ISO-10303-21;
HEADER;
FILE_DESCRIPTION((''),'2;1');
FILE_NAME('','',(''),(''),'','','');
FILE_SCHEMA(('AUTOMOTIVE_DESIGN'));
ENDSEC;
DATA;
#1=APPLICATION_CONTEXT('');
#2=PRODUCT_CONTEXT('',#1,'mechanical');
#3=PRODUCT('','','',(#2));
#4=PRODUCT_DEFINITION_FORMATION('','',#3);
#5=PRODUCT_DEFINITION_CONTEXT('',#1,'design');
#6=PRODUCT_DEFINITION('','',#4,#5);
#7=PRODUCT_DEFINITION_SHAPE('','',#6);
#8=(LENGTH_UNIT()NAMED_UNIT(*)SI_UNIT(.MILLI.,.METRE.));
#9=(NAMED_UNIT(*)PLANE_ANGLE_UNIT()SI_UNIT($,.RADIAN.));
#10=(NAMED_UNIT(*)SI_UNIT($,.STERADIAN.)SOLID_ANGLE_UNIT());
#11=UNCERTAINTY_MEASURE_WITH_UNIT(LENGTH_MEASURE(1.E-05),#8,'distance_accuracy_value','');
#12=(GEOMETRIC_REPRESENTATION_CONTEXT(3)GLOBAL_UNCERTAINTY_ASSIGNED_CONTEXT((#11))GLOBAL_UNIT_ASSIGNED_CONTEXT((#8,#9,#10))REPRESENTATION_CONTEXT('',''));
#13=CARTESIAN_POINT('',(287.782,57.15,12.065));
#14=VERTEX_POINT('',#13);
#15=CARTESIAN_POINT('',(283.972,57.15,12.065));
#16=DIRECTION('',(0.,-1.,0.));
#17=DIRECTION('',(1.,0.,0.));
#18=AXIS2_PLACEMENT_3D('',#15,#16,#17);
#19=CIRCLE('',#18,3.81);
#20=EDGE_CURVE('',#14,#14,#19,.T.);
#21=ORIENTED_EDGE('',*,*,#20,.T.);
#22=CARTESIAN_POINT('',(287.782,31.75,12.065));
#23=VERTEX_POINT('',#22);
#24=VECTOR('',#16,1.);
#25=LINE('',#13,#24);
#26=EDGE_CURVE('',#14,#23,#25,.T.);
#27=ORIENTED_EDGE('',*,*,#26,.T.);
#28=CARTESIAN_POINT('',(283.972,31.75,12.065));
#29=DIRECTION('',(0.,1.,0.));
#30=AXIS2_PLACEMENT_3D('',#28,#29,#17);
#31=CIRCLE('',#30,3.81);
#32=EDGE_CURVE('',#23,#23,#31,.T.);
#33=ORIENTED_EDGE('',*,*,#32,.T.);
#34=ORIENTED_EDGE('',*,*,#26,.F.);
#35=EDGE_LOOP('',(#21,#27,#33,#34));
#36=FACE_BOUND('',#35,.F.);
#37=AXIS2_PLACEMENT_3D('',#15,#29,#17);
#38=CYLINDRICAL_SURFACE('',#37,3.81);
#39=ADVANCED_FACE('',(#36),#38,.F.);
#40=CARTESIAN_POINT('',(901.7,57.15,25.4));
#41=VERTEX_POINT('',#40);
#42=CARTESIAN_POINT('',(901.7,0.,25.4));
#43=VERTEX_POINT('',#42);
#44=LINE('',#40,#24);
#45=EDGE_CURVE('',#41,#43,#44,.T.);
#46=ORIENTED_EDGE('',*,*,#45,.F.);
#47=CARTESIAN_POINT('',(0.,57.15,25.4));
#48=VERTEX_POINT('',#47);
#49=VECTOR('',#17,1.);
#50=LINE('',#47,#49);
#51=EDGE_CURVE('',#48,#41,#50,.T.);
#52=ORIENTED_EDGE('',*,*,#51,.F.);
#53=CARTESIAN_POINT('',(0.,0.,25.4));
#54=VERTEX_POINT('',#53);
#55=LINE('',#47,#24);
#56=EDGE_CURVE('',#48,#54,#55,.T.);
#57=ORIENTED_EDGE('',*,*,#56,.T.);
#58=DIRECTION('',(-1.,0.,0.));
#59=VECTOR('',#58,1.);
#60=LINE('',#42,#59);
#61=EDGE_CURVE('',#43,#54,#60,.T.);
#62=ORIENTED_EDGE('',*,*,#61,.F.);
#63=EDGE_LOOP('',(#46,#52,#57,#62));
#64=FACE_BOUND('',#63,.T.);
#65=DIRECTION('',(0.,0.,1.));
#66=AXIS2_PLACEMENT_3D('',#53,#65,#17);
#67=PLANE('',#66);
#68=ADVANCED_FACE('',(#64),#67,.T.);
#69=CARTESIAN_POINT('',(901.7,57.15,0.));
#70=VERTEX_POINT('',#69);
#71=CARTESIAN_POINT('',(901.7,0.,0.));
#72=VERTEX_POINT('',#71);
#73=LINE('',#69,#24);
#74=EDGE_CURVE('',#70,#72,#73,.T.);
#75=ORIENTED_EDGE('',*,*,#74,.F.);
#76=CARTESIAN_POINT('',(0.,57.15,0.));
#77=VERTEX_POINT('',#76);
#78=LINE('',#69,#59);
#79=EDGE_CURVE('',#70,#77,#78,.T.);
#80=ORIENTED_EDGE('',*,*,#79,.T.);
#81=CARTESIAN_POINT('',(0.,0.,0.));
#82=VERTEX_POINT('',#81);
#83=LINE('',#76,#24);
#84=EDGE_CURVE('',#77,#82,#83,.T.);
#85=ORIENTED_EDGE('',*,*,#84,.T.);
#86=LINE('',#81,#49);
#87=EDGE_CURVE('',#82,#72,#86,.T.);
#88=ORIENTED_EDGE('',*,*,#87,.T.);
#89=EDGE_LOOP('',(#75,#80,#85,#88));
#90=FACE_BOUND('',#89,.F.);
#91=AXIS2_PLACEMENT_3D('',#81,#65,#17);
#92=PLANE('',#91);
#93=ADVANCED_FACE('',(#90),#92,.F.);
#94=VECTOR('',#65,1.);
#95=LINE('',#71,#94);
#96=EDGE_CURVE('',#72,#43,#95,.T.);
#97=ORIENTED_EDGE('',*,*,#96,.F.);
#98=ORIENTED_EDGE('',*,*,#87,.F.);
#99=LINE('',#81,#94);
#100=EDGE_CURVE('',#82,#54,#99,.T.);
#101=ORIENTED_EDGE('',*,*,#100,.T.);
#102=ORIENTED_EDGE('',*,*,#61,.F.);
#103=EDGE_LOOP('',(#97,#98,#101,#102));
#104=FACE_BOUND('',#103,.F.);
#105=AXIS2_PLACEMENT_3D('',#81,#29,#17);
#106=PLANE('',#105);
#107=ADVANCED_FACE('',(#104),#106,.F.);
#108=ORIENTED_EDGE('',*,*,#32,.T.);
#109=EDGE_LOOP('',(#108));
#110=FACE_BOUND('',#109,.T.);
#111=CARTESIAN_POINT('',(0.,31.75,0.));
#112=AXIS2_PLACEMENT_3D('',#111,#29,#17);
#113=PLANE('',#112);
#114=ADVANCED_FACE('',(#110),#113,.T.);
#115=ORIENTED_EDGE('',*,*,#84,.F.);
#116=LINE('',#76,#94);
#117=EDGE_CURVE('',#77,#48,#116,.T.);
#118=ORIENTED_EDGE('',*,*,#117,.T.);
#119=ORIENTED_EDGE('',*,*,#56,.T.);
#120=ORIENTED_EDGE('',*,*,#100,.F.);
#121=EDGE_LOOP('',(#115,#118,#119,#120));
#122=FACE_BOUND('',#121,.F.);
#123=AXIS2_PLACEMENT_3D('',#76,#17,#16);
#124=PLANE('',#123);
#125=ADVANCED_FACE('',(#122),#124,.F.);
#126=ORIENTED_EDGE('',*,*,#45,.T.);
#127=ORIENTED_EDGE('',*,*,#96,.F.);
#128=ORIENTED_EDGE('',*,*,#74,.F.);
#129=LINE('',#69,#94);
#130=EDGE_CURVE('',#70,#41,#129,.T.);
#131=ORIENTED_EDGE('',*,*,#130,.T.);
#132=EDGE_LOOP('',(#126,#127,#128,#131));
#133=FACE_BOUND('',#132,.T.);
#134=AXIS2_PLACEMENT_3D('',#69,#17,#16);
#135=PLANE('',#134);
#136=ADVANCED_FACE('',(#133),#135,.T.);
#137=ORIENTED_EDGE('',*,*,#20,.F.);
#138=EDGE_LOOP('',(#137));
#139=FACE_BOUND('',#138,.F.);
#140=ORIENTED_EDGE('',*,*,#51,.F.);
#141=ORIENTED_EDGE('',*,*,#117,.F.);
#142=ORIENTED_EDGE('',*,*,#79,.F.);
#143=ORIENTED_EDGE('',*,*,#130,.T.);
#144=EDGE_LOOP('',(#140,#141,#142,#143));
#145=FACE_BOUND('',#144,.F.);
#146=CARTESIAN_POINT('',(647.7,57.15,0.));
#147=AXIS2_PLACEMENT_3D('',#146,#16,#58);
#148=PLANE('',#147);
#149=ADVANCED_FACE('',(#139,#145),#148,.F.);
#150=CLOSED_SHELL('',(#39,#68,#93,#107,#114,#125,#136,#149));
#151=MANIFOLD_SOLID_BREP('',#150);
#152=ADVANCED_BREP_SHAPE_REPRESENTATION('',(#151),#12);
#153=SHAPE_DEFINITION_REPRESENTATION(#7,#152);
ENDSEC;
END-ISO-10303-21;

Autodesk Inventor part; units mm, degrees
ref_plane "YZ Plane" through (0, 0, 0) normal (1, 0, 0) x (0, 1, 0)
ref_plane "XZ Plane" through (0, 0, 0) normal (0, 1, 0) x (-1, 0, 0)
ref_plane "XY Plane" through (0, 0, 0) normal (0, 0, 1) x (1, 0, 0)
sketch "Sketch1" plane through (0, 0, 0) normal (0, 0, 1) x (1, 0, 0)
  line L0 (0, 0) -> (647.7, 0)
  line L1 (647.7, 0) -> (647.7, 57.15)
  line L2 (647.7, 57.15) -> (0, 57.15)
  line L3 (0, 57.15) -> (0, 0)
  line L4 (647.7, 57.15) -> (901.7, 57.15)
  line L5 (901.7, 57.15) -> (901.7, 0)
  line L6 (901.7, 0) -> (647.7, 0)
  line L7 (647.7, 0) -> (647.7, 57.15)
  line L8 (647.7, 57.15) -> (901.7, 57.15)
  dimension "d0" = 647.7
  dimension "d1" = 57.15
  dimension "d2" = 254
  dimension "d4" = 0
extrude "Extrusion1" add sketch "Sketch1" along normal blind 25.4
sketch "Sketch2" plane through (0, 0, 25.4) normal (0, 0, 1) x (1, 0, 0)
  line L0 (0, 0) -> (901.7, 0) projected
  line L1 (901.7, 0) -> (901.7, 25.4)
  line L2 (901.7, 25.4) -> (880.1227, 25.4)
  circle A0 centre (880.1227, 25.4) radius 17.399
  line L3 (880.1227, 25.4) -> (836.9681, 25.4)
  circle A1 centre (836.9681, 25.4) radius 17.399
  line L4 (836.9681, 25.4) -> (793.8135, 25.4)
  line L5 (793.8135, 25.4) -> (750.6589, 25.4)
  line L6 (750.6589, 25.4) -> (707.5043, 25.4)
  circle A2 centre (793.8135, 25.4) radius 17.399
  circle A3 centre (750.6589, 25.4) radius 17.399
  circle A4 centre (707.5043, 25.4) radius 17.399
  line L7 (901.7, 0) -> (901.7, 57.15) projected
  line L8 (901.7, 0) -> (901.7, 57.15)
  line L9 (707.5043, 25.4) -> (664.3497, 25.4)
  circle A5 centre (664.3497, 25.4) radius 9.525
  point P0 (787.6658, 25.1497)
  point P1 (813.0658, 25.1497)
  point P2 (838.4658, 25.1497)
  point P3 (863.8658, 25.1497)
  dimension "d7" = 25.4
  dimension "d8" = 21.5773
  dimension "d9" = 34.798
  dimension "d10" = 43.1546
  dimension "d13" = 19.05
extrude "Extrusion2" [suppressed]
sketch "Sketch3" plane through (0, 57.15, 0) normal (0, 1, 0) x (1, 0, 0)
  line L0 (0, -25.4) -> (901.7, -25.4) projected
  line L1 (0, -25.4) -> (283.972, -25.4)
  line L2 (283.972, -25.4) -> (283.972, -12.065)
  line L3 (283.972, -12.065) -> (0, -12.065)
  line L4 (0, -12.065) -> (0, -25.4)
  circle A0 centre (283.972, -12.065) radius 3.81
  point P0 (0, 0)
  dimension "d14" = 283.972
  dimension "d15" = 13.335
  dimension "d16" = 7.62
extrude "Extrusion3" cut sketch "Sketch3" against normal blind 25.4 contours A0 L3 L2 | L2 L3 A0
equation "\"d0\" = bodyLengthUntilNut"
equation "\"d1\" = bodyHeight"
equation "\"d2\" = extensionLength"
equation "\"d5\" = woodThickness"
equation "\"d7\" = motorHolesOffset"
equation "\"d8\" = motorHoleEndOffset"
equation "\"d9\" = motorHoleDiameter"
equation "\"d10\" = motorHoleSeparation"
equation "\"d13\" = wireHoleDiameter"
equation "\"bodyLengthUntilNut\" = 647.7"
equation "\"postNutAngle\" = 0"
equation "\"woodThickness\" = 25.4"
equation "\"slantLength\" = 127"
equation "\"extensionLength\" = 254"
equation "\"bodyHeight\" = 57.15"
equation "\"motorHolesOffset\" = 25.4"
equation "\"motorHoleEndOffset\" = 21.5773"
equation "\"motorHoleDiameter\" = 34.798"
equation "\"motorHoleSeparation\" = 43.1546"
equation "\"wireHoleDiameter\" = 19.05"
equation "\"temp\" = 0"
properties part number "bodySidePlate"
